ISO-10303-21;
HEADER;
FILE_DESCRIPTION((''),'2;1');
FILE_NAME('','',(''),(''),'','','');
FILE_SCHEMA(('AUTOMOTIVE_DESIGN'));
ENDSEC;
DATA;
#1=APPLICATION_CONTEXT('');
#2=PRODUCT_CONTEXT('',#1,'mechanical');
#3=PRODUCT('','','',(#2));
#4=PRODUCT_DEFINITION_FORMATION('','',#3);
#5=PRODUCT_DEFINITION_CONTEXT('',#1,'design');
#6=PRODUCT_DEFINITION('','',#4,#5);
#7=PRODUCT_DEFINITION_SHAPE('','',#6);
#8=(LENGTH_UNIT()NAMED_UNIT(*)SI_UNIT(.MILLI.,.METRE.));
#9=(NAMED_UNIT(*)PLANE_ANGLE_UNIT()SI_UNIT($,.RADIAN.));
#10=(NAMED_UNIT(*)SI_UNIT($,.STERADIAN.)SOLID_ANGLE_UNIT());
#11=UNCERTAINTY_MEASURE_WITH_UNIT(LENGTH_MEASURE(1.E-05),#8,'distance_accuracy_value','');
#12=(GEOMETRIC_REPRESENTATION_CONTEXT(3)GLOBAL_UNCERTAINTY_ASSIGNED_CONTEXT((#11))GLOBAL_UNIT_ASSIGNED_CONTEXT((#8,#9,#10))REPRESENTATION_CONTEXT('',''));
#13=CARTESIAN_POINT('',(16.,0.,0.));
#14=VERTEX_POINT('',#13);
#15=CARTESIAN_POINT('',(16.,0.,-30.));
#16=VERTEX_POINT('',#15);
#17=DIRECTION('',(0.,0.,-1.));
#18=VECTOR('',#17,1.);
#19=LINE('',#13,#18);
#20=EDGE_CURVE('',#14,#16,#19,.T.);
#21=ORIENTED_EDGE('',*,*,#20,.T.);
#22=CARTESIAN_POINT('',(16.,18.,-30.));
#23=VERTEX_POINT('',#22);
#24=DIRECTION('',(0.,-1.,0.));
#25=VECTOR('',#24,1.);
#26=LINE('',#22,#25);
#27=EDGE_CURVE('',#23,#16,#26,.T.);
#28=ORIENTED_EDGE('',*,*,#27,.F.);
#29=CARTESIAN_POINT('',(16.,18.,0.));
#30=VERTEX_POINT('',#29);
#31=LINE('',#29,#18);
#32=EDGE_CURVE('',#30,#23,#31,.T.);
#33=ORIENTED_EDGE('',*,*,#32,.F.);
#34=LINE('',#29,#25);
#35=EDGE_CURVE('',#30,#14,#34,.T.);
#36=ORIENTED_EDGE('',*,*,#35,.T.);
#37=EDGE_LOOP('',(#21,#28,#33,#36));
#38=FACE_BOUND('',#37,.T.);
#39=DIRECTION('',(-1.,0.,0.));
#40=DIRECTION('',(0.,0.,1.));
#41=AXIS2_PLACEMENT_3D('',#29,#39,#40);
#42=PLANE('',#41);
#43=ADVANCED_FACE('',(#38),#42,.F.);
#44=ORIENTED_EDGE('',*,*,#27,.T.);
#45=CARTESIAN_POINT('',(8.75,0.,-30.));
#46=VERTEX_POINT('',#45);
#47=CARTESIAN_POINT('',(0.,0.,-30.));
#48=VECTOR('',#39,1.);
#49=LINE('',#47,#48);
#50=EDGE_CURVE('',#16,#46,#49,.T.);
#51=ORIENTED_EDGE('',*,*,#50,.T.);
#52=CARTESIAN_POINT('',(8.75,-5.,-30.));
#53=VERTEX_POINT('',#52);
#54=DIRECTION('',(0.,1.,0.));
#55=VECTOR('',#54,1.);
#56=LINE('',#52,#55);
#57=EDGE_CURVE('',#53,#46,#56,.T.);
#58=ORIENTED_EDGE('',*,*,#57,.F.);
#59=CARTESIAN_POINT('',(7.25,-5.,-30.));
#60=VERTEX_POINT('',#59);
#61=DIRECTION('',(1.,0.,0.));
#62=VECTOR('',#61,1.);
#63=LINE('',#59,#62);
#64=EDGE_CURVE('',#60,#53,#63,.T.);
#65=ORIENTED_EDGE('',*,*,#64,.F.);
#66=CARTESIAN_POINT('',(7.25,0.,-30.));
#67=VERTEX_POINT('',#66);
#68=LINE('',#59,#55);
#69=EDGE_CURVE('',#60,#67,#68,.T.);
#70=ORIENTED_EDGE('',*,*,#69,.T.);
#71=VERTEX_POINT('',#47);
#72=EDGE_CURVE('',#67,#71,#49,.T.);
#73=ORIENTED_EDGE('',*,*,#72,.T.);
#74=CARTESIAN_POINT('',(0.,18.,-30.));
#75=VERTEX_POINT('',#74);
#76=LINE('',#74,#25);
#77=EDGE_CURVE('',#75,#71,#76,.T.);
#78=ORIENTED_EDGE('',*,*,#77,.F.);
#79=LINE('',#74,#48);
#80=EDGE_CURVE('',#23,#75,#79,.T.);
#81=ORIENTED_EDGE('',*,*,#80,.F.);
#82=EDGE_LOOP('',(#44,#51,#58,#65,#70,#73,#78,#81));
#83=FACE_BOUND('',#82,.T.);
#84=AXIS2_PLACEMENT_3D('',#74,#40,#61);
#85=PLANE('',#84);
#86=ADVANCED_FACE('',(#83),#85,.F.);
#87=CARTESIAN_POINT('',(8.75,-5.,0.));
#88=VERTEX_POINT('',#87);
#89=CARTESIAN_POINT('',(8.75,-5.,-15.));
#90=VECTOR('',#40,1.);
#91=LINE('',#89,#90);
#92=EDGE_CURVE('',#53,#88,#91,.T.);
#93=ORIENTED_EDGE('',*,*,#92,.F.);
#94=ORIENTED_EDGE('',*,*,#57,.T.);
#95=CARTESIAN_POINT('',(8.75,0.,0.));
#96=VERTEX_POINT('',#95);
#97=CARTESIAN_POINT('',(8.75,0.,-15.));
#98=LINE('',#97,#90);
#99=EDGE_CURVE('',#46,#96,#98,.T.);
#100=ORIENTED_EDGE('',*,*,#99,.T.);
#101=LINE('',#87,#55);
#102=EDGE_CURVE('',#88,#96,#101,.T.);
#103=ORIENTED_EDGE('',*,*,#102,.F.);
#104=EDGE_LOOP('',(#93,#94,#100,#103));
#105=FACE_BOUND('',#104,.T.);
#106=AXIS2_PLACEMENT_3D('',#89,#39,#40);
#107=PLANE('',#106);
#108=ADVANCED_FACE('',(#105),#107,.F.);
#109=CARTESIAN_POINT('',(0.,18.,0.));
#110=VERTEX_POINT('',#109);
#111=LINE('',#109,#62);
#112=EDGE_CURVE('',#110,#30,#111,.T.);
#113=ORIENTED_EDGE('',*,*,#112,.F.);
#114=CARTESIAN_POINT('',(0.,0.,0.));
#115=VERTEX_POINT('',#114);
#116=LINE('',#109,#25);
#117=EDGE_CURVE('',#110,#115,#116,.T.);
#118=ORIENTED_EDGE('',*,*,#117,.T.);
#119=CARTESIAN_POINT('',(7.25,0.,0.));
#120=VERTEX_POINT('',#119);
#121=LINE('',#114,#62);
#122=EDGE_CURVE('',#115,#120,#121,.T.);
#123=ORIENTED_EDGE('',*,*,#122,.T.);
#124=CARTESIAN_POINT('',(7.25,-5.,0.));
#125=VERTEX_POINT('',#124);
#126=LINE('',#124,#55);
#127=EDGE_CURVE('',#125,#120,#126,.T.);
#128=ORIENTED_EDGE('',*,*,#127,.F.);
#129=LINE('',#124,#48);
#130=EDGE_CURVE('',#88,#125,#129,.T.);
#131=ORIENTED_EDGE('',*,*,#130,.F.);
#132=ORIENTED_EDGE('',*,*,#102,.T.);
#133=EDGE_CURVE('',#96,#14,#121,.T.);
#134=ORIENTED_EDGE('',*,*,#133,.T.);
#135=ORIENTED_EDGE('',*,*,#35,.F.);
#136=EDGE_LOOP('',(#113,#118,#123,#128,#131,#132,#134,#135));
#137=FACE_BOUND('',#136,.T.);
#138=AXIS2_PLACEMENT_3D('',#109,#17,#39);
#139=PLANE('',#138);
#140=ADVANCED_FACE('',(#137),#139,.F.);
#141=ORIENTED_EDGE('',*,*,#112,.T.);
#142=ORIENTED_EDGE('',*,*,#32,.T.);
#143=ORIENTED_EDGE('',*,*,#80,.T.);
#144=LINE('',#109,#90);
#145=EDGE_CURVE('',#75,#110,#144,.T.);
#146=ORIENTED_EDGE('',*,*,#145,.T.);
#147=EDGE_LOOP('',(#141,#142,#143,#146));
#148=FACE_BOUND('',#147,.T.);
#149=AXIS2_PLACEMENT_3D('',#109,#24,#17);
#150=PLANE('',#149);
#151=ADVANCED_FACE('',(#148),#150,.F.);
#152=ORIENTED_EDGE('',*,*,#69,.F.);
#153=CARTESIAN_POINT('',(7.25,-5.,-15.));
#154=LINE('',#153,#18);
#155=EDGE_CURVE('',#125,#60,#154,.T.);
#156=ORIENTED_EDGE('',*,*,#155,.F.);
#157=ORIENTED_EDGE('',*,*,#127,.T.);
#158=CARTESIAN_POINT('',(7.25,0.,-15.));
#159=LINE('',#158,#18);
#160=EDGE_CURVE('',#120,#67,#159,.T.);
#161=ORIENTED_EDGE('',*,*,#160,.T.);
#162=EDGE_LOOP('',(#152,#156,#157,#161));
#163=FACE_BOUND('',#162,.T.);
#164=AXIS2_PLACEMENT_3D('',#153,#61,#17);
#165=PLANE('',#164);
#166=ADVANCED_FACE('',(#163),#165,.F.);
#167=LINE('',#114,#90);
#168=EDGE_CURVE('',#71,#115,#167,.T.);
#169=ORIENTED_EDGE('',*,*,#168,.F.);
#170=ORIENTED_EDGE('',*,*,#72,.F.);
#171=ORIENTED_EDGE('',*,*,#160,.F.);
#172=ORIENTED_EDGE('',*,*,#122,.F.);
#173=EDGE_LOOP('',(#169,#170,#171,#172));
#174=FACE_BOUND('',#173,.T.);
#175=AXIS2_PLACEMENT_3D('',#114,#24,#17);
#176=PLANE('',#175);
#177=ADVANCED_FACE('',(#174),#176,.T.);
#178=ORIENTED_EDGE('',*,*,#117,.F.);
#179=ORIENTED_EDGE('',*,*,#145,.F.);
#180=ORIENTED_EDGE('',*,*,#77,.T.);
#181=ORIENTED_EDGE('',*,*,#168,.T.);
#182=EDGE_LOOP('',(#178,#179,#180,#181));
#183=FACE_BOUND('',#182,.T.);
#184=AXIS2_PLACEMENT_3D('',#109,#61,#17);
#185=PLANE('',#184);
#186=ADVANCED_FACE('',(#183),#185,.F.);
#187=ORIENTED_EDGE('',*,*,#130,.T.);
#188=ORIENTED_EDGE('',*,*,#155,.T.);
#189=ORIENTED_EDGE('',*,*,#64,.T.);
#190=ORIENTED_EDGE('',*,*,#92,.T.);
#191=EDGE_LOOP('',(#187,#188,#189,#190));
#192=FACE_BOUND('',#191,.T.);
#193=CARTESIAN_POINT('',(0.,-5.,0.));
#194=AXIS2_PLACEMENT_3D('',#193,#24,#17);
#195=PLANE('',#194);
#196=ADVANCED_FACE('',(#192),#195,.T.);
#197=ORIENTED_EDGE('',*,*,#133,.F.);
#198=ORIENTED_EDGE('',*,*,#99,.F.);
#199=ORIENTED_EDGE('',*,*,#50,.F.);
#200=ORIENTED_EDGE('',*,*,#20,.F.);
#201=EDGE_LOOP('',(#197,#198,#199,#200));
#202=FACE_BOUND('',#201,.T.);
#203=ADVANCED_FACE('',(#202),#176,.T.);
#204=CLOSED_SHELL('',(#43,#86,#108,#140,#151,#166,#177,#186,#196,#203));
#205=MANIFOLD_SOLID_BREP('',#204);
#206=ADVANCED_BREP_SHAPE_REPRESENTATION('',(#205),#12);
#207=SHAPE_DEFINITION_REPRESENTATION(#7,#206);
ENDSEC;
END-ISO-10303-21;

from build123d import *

# Parameters (mm, degrees)
SKETCH_1_W      = 16
SKETCH_1_H      = 30
EXTRUDE_1_DEPTH = 18
EXTRUDE_2_DEPTH = 5


with BuildPart() as part:
    # Эскиз1 → Бобышка-Вытянуть1 (new body)
    with BuildSketch(Plane(origin=(0, 0, 0), x_dir=(1, 0, 0), z_dir=(0, 1, 0))):
        with Locations((8, 15)):
            Rectangle(SKETCH_1_W, SKETCH_1_H)
    extrude(amount=EXTRUDE_1_DEPTH)

    # Эскиз2 → Бобышка-Вытянуть2 (add)
    with BuildSketch(Plane.XZ):
        Polygon((7.25, -15), (7.25, 0), (8.75, 0), (8.75, -15), (8.75, -30), (7.25, -30), align=None)
    extrude(amount=EXTRUDE_2_DEPTH)


solid = part.part
